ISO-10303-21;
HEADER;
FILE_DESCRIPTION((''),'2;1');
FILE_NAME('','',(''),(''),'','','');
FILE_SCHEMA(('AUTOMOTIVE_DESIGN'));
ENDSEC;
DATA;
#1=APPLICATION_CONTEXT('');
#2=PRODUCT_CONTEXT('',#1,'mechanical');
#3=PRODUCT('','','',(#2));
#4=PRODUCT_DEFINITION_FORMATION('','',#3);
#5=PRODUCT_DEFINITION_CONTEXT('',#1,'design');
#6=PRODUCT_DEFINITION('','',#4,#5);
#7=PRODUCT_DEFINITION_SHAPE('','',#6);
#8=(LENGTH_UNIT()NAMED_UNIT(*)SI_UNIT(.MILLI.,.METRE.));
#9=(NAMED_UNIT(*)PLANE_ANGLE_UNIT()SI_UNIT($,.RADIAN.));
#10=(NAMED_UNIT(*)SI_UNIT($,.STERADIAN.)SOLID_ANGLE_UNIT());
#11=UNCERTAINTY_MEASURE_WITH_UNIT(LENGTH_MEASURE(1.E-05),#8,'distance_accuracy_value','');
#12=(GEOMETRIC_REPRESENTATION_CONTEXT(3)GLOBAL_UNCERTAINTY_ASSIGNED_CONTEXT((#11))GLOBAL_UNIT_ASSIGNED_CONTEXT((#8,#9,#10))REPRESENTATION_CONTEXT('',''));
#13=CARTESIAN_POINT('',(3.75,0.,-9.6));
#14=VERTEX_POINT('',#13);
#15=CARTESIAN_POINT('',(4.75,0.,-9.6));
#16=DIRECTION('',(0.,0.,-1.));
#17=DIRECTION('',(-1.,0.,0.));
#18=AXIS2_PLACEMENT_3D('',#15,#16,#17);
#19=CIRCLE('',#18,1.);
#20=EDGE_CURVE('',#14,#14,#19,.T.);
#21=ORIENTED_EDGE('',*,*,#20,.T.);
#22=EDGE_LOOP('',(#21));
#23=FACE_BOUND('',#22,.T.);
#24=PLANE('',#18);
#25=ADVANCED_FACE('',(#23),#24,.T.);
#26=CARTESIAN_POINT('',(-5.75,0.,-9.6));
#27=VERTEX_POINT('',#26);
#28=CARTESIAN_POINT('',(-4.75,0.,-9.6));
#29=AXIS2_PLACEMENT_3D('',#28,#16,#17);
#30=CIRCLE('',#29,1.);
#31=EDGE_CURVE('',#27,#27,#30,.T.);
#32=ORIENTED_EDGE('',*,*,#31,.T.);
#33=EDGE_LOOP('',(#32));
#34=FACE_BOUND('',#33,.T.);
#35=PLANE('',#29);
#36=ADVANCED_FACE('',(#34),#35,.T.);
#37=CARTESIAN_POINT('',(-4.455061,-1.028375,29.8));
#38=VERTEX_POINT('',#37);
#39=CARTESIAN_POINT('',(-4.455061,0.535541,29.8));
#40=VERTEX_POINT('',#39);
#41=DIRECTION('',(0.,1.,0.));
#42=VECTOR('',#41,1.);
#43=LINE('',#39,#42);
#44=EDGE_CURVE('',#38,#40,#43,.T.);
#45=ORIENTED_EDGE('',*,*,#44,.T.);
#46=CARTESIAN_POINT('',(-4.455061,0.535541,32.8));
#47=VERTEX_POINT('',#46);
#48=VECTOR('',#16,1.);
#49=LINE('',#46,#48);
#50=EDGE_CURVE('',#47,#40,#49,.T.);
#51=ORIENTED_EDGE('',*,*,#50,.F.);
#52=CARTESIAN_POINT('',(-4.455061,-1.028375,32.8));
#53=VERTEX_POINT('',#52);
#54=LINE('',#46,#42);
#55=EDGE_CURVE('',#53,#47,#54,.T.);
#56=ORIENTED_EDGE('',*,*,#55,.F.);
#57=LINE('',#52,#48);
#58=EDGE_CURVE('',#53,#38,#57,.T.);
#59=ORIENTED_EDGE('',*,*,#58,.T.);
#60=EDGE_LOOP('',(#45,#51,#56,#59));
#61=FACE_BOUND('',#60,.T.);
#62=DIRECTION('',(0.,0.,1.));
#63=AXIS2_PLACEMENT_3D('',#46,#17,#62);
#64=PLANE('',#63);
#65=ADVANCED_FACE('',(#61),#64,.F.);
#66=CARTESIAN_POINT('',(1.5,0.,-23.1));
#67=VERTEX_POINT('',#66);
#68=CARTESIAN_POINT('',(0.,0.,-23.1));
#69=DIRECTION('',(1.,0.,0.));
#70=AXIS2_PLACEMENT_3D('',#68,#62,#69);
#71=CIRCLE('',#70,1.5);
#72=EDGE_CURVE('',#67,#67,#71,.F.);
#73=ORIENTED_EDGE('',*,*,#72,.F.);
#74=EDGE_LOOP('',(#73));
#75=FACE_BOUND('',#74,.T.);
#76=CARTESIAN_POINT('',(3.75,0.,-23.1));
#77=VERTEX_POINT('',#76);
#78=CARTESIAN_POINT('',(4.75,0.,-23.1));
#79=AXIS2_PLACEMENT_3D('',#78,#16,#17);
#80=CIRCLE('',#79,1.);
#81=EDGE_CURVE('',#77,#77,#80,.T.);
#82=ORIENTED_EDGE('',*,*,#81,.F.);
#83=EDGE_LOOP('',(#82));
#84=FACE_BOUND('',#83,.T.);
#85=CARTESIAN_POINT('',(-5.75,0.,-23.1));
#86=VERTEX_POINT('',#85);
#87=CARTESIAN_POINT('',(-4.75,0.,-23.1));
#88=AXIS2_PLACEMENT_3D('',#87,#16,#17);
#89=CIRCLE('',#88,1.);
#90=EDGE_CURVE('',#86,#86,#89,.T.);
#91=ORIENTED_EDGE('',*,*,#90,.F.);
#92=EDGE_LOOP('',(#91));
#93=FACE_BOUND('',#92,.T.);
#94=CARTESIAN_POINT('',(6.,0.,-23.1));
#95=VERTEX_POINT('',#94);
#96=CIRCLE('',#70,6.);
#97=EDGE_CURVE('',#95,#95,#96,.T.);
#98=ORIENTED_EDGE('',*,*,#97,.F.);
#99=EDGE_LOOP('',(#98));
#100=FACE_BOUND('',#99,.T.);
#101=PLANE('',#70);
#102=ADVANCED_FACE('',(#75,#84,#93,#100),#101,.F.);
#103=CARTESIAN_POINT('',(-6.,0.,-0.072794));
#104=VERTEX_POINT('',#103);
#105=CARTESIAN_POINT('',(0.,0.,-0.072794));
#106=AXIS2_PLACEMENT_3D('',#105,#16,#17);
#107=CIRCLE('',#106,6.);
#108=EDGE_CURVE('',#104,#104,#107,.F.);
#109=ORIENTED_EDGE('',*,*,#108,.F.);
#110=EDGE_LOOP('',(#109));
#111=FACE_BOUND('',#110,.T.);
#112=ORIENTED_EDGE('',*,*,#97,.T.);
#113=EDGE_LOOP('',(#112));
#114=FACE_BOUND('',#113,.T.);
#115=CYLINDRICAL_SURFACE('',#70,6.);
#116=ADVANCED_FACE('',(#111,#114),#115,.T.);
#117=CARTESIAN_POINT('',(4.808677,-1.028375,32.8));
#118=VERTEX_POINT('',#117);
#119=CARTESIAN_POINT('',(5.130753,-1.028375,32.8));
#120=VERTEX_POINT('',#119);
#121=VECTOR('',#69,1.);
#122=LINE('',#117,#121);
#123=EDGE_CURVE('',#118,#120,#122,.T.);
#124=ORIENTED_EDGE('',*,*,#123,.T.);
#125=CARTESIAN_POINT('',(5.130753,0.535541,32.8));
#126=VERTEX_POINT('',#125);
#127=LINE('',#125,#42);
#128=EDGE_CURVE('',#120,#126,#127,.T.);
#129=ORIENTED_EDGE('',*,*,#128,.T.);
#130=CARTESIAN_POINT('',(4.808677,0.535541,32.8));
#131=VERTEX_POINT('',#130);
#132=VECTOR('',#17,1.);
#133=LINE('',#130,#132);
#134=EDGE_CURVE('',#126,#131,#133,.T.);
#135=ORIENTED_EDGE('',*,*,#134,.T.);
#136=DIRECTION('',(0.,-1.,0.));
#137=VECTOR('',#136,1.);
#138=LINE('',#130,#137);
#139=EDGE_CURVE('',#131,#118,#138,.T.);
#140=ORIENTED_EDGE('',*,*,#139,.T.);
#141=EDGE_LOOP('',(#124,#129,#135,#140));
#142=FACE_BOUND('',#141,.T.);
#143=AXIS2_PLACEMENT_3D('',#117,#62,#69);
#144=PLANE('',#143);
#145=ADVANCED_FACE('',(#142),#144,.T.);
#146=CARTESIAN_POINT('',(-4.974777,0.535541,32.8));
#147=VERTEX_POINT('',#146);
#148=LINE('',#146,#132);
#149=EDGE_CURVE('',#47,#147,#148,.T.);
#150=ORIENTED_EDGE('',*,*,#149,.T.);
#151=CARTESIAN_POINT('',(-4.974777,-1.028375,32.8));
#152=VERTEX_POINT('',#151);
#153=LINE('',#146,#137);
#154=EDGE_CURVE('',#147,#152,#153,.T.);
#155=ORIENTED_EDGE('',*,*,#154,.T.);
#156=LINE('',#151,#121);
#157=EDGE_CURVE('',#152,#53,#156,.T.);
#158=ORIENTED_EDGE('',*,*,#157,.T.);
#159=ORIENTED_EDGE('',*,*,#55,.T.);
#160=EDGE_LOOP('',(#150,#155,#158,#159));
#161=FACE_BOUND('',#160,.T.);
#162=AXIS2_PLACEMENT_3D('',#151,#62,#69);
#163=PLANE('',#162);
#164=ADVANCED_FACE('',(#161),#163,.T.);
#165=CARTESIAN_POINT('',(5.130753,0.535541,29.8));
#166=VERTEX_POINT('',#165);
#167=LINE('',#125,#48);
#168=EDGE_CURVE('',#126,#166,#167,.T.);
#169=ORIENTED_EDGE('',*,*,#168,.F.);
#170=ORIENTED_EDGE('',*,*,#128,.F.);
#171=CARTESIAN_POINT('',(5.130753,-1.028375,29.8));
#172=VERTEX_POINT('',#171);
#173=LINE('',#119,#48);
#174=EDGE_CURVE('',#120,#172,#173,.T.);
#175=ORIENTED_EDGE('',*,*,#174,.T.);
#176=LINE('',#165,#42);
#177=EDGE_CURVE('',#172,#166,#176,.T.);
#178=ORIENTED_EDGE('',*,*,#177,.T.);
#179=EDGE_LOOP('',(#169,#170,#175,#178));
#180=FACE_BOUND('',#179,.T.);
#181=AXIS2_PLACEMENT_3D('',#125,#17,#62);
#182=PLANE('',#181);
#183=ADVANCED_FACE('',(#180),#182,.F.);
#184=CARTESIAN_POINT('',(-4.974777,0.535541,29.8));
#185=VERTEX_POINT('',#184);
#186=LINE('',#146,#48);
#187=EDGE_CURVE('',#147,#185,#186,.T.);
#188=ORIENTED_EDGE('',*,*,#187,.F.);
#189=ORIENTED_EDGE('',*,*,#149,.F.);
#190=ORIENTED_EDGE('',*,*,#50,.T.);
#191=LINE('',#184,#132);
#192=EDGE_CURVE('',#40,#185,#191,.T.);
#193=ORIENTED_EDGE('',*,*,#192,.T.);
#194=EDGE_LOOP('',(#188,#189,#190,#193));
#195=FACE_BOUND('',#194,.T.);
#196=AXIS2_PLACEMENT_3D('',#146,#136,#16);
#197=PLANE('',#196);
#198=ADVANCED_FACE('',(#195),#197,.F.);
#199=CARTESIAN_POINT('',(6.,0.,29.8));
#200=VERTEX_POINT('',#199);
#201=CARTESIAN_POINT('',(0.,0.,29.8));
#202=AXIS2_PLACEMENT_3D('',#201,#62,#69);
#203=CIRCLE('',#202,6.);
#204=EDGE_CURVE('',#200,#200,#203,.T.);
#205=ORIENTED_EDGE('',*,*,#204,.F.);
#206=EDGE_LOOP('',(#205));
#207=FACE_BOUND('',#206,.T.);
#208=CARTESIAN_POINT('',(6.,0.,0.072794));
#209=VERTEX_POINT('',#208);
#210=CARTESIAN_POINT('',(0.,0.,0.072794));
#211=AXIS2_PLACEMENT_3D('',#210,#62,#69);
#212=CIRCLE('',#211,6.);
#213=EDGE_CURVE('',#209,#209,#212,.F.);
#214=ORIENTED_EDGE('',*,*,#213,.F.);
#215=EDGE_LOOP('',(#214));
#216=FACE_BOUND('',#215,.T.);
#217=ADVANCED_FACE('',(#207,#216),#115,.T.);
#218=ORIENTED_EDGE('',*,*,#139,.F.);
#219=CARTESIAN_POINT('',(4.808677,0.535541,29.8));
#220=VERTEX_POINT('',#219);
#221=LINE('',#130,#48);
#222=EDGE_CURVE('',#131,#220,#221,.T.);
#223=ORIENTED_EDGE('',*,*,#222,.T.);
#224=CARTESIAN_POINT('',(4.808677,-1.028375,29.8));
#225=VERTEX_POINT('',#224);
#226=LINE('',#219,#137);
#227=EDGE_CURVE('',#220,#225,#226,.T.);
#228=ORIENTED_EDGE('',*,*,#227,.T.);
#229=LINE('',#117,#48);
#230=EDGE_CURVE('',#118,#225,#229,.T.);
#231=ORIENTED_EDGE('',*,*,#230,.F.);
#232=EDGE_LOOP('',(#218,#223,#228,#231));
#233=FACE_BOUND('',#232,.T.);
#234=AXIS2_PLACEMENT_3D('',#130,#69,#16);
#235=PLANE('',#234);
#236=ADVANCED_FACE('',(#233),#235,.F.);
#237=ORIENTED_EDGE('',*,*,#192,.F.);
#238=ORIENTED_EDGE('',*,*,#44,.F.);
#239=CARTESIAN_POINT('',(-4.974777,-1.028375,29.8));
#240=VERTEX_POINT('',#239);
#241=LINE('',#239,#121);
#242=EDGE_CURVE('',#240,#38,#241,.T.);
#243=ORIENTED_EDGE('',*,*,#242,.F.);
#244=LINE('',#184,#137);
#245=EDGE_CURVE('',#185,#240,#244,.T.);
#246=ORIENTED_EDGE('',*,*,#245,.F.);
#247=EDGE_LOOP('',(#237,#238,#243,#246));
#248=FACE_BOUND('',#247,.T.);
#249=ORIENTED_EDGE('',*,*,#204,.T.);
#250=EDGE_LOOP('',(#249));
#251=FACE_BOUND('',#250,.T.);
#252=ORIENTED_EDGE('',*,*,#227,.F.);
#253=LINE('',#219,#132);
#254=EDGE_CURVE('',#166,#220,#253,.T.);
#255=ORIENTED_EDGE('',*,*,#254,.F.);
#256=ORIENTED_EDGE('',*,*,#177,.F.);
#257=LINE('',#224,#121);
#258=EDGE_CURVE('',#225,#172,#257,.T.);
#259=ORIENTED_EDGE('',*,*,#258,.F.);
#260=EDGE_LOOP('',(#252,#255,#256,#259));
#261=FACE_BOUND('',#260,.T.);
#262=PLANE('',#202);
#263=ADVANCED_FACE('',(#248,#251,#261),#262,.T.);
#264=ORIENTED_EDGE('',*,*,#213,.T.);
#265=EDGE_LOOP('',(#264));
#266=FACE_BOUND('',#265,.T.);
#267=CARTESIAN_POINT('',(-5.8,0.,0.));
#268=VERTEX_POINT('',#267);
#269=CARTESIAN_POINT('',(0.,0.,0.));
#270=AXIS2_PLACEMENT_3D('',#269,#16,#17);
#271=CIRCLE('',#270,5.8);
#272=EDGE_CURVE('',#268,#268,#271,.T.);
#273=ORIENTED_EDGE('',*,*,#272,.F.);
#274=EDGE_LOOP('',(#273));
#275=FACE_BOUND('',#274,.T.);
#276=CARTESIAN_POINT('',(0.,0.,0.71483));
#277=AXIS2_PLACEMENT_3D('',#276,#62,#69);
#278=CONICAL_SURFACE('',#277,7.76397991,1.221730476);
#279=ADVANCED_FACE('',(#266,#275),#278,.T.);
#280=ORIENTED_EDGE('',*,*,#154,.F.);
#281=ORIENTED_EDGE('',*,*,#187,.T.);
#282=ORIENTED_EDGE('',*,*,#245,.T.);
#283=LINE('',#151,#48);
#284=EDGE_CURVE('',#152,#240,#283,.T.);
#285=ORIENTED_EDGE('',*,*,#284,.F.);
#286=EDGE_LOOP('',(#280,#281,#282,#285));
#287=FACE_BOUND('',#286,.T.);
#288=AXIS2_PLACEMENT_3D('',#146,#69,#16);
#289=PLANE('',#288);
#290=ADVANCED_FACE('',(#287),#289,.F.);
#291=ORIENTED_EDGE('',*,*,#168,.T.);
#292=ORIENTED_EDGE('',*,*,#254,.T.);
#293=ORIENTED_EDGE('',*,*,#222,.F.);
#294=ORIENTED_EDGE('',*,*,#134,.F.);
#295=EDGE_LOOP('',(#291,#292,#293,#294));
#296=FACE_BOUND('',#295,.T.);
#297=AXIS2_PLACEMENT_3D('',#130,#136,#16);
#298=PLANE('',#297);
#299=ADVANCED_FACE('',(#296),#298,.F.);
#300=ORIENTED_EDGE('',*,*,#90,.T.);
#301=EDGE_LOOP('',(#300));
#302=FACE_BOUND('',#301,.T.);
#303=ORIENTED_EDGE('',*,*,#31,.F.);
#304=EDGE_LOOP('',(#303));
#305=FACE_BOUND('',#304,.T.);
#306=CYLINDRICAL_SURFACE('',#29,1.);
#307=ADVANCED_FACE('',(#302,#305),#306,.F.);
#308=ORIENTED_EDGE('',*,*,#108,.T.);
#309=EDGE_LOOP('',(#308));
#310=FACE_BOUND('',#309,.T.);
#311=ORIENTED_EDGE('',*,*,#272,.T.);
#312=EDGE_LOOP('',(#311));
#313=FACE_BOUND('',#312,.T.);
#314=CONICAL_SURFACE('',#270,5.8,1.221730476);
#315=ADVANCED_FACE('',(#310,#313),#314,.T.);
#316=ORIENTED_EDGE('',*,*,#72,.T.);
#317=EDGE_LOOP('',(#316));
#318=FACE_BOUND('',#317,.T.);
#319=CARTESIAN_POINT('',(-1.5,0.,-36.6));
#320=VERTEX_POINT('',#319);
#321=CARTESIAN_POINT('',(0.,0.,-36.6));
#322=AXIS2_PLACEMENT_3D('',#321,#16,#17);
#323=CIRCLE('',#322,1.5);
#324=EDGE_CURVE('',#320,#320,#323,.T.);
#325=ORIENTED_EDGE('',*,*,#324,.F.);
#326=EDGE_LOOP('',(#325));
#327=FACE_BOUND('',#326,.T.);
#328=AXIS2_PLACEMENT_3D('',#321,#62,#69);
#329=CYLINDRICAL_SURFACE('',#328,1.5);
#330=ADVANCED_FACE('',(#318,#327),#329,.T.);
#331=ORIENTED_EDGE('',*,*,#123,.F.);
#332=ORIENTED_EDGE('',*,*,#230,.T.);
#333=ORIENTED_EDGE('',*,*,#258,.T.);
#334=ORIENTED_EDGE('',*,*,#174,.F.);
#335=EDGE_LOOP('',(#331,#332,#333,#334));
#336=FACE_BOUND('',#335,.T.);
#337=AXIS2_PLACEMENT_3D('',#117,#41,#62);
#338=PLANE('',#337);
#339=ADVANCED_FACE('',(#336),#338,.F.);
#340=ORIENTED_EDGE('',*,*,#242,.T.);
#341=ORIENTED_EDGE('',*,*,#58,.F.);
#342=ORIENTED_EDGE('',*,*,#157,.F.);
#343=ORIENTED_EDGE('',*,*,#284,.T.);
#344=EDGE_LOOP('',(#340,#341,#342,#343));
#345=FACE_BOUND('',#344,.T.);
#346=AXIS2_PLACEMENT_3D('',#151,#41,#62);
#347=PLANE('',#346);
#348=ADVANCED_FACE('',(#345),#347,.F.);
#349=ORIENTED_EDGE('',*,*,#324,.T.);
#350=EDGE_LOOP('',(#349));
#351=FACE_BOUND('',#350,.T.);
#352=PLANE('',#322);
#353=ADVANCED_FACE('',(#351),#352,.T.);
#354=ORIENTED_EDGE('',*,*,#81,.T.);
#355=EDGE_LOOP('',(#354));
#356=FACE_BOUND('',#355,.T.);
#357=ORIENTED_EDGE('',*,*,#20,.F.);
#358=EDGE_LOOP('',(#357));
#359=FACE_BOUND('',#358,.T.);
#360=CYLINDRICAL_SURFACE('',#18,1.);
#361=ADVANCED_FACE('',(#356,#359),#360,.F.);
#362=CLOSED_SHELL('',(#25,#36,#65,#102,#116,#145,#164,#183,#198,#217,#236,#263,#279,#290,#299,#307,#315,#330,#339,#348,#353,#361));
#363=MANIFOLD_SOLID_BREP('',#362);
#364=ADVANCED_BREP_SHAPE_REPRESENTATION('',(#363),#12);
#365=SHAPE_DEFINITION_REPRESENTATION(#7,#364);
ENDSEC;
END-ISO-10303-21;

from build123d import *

# Parameters (mm, degrees)
SKETCH1_R           = 6
EXTRUDE1_DEPTH      = 29.8
EXTRUDE1_DEPTH_BACK = 23.1
SKETCH2_W           = 0.322076385
SKETCH2_H           = 1.5639159
SKETCH2_W_2         = 0.519715481
EXTRUDE2_DEPTH      = 3
SKETCH3_R           = 1.5
EXTRUDE3_DEPTH      = 13.5
SKETCH4_R           = 1
CUT_EXTRUDE1_DEPTH  = 13.5


with BuildPart() as part:
    # Sketch1 → Extrude1 (new body, two sides)
    with BuildSketch(Plane.XY) as extrude1_sk:
        Circle(SKETCH1_R)
    extrude(amount=EXTRUDE1_DEPTH)
    extrude(extrude1_sk.sketch, amount=-EXTRUDE1_DEPTH_BACK)

    # Sketch2 → Extrude2 (add)
    with BuildSketch(Plane.XY.offset(29.8)):
        with Locations((4.969715102, -0.2464174)):
            Rectangle(SKETCH2_W, SKETCH2_H)
        with Locations((-4.714918845, -0.2464174)):
            Rectangle(SKETCH2_W_2, SKETCH2_H)
    extrude(amount=EXTRUDE2_DEPTH)

    # Sketch3 → Extrude3 (add)
    with BuildSketch(Plane(origin=(0, 0, -23.1), x_dir=(-1, 0, 0), z_dir=(0, 0, -1))):
        with Locations(Location((0, 0, 0), (0, 0, 180))):  # turned: the seam where the file's is
            Circle(SKETCH3_R)
    extrude(amount=EXTRUDE3_DEPTH)

    # Sketch4 → Cut-Extrude1 (cut)
    with BuildSketch(Plane(origin=(0, 0, -23.1), x_dir=(-1, 0, 0), z_dir=(0, 0, -1))):
        with Locations((4.75, 0)):
            Circle(SKETCH4_R)
        with Locations((-4.75, 0)):
            Circle(SKETCH4_R)
    extrude(amount=-CUT_EXTRUDE1_DEPTH, mode=Mode.SUBTRACT)

    # Sketch6 → Cut-Revolve1 (revolve, cut)
    with BuildSketch(Plane(origin=(0, 0, 0), x_dir=(0, 0, -1), z_dir=(1, 0, 0)), mode=Mode.PRIVATE) as cut_revolve1_sk:
        Polygon((0, 5.8), (0.714830228, 7.76397991), (-0.714830228, 7.76397991), align=None)
    revolve(cut_revolve1_sk.sketch.rotate(Axis((0, 0, 0), (0, 0, 1)), 270), axis=Axis((0, 0, 0), (0, 0, 1)), mode=Mode.SUBTRACT)  # turned: the seam where the file's is


solid = part.part
